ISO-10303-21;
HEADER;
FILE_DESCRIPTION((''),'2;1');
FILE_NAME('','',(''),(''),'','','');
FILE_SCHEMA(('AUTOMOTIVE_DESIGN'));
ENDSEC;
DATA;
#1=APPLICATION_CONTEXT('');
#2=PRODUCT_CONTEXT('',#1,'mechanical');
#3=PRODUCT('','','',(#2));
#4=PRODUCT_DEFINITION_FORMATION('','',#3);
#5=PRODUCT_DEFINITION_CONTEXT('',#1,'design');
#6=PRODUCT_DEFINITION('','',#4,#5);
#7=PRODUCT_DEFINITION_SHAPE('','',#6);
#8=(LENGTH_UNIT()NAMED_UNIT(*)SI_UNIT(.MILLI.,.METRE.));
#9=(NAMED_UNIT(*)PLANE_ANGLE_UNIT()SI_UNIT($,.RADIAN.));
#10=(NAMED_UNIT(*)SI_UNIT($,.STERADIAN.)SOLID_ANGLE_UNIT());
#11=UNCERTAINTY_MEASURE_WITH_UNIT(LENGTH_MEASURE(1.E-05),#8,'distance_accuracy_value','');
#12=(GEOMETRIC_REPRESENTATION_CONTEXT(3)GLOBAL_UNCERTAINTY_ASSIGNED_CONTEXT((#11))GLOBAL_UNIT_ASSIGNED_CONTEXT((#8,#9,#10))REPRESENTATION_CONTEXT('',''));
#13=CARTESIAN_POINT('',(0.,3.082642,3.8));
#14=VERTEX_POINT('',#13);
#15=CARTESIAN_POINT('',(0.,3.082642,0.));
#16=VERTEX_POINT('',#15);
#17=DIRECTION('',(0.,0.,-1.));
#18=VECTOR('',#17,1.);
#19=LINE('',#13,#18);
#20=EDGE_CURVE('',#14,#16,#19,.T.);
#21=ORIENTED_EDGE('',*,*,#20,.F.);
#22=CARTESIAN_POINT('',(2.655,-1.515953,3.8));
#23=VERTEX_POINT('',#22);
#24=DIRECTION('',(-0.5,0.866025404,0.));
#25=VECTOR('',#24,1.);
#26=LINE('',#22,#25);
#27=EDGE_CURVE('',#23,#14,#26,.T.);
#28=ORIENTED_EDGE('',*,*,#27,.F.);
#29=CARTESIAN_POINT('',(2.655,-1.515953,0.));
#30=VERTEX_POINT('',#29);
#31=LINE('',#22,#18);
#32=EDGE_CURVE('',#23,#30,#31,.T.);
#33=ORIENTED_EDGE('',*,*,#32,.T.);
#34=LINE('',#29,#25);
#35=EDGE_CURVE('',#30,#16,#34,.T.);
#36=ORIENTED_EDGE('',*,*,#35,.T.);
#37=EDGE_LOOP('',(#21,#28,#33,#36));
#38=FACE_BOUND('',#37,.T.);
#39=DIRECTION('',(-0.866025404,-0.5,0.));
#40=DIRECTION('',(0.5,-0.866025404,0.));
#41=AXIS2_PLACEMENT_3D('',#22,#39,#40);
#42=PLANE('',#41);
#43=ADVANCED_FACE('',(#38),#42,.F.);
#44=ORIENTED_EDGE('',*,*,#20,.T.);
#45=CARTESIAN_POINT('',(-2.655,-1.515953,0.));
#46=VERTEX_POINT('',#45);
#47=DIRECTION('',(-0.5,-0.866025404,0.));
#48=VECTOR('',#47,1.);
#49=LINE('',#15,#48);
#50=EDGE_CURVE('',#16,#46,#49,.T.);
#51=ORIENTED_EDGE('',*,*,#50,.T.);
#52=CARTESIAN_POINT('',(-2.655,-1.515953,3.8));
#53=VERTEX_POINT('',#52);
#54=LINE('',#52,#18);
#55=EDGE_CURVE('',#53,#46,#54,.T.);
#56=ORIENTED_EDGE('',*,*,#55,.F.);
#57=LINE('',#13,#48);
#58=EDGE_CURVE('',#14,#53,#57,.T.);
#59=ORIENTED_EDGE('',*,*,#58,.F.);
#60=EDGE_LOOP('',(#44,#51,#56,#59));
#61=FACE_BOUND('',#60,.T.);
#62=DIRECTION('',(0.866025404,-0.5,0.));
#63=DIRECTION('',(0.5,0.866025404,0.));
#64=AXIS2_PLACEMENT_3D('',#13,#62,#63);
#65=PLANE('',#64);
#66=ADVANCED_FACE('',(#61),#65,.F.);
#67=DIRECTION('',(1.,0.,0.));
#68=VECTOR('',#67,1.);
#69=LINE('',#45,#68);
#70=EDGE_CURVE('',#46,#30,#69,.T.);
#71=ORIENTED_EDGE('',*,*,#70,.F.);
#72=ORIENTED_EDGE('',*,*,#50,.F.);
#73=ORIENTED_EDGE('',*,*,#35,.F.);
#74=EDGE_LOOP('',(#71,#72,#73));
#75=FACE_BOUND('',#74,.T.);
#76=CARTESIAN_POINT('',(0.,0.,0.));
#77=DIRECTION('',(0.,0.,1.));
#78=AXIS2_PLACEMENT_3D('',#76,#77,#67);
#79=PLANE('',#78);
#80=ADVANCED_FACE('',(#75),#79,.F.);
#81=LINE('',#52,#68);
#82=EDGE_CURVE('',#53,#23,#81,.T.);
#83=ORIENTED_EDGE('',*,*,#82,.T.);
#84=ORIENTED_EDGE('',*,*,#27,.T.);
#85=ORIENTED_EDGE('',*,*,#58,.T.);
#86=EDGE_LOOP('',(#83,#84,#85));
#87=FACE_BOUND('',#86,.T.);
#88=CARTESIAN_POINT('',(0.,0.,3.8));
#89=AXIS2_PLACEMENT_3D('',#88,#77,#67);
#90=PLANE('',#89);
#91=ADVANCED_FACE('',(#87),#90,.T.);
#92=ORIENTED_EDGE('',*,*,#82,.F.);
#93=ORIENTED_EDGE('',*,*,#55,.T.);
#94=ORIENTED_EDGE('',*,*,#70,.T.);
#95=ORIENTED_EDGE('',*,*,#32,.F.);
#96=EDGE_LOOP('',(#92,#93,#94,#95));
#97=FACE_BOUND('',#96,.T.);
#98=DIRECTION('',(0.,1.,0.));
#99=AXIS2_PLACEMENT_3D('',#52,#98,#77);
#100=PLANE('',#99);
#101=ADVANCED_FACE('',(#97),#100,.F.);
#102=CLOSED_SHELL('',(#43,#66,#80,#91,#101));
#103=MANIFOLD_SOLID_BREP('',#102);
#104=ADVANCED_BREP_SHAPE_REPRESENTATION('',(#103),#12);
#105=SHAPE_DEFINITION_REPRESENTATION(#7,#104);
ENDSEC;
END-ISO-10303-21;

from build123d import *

# Parameters (mm, degrees)
EXTRUDE_1_DEPTH = 3.8


with BuildPart() as part:
    # Эскиз1 → Бобышка-Вытянуть1 (new body)
    with BuildSketch(Plane.XY):
        Polygon((-2.655, -1.515952629), (2.655, -1.515952629), (0, 3.082642266), align=None)
    extrude(amount=EXTRUDE_1_DEPTH)


solid = part.part
